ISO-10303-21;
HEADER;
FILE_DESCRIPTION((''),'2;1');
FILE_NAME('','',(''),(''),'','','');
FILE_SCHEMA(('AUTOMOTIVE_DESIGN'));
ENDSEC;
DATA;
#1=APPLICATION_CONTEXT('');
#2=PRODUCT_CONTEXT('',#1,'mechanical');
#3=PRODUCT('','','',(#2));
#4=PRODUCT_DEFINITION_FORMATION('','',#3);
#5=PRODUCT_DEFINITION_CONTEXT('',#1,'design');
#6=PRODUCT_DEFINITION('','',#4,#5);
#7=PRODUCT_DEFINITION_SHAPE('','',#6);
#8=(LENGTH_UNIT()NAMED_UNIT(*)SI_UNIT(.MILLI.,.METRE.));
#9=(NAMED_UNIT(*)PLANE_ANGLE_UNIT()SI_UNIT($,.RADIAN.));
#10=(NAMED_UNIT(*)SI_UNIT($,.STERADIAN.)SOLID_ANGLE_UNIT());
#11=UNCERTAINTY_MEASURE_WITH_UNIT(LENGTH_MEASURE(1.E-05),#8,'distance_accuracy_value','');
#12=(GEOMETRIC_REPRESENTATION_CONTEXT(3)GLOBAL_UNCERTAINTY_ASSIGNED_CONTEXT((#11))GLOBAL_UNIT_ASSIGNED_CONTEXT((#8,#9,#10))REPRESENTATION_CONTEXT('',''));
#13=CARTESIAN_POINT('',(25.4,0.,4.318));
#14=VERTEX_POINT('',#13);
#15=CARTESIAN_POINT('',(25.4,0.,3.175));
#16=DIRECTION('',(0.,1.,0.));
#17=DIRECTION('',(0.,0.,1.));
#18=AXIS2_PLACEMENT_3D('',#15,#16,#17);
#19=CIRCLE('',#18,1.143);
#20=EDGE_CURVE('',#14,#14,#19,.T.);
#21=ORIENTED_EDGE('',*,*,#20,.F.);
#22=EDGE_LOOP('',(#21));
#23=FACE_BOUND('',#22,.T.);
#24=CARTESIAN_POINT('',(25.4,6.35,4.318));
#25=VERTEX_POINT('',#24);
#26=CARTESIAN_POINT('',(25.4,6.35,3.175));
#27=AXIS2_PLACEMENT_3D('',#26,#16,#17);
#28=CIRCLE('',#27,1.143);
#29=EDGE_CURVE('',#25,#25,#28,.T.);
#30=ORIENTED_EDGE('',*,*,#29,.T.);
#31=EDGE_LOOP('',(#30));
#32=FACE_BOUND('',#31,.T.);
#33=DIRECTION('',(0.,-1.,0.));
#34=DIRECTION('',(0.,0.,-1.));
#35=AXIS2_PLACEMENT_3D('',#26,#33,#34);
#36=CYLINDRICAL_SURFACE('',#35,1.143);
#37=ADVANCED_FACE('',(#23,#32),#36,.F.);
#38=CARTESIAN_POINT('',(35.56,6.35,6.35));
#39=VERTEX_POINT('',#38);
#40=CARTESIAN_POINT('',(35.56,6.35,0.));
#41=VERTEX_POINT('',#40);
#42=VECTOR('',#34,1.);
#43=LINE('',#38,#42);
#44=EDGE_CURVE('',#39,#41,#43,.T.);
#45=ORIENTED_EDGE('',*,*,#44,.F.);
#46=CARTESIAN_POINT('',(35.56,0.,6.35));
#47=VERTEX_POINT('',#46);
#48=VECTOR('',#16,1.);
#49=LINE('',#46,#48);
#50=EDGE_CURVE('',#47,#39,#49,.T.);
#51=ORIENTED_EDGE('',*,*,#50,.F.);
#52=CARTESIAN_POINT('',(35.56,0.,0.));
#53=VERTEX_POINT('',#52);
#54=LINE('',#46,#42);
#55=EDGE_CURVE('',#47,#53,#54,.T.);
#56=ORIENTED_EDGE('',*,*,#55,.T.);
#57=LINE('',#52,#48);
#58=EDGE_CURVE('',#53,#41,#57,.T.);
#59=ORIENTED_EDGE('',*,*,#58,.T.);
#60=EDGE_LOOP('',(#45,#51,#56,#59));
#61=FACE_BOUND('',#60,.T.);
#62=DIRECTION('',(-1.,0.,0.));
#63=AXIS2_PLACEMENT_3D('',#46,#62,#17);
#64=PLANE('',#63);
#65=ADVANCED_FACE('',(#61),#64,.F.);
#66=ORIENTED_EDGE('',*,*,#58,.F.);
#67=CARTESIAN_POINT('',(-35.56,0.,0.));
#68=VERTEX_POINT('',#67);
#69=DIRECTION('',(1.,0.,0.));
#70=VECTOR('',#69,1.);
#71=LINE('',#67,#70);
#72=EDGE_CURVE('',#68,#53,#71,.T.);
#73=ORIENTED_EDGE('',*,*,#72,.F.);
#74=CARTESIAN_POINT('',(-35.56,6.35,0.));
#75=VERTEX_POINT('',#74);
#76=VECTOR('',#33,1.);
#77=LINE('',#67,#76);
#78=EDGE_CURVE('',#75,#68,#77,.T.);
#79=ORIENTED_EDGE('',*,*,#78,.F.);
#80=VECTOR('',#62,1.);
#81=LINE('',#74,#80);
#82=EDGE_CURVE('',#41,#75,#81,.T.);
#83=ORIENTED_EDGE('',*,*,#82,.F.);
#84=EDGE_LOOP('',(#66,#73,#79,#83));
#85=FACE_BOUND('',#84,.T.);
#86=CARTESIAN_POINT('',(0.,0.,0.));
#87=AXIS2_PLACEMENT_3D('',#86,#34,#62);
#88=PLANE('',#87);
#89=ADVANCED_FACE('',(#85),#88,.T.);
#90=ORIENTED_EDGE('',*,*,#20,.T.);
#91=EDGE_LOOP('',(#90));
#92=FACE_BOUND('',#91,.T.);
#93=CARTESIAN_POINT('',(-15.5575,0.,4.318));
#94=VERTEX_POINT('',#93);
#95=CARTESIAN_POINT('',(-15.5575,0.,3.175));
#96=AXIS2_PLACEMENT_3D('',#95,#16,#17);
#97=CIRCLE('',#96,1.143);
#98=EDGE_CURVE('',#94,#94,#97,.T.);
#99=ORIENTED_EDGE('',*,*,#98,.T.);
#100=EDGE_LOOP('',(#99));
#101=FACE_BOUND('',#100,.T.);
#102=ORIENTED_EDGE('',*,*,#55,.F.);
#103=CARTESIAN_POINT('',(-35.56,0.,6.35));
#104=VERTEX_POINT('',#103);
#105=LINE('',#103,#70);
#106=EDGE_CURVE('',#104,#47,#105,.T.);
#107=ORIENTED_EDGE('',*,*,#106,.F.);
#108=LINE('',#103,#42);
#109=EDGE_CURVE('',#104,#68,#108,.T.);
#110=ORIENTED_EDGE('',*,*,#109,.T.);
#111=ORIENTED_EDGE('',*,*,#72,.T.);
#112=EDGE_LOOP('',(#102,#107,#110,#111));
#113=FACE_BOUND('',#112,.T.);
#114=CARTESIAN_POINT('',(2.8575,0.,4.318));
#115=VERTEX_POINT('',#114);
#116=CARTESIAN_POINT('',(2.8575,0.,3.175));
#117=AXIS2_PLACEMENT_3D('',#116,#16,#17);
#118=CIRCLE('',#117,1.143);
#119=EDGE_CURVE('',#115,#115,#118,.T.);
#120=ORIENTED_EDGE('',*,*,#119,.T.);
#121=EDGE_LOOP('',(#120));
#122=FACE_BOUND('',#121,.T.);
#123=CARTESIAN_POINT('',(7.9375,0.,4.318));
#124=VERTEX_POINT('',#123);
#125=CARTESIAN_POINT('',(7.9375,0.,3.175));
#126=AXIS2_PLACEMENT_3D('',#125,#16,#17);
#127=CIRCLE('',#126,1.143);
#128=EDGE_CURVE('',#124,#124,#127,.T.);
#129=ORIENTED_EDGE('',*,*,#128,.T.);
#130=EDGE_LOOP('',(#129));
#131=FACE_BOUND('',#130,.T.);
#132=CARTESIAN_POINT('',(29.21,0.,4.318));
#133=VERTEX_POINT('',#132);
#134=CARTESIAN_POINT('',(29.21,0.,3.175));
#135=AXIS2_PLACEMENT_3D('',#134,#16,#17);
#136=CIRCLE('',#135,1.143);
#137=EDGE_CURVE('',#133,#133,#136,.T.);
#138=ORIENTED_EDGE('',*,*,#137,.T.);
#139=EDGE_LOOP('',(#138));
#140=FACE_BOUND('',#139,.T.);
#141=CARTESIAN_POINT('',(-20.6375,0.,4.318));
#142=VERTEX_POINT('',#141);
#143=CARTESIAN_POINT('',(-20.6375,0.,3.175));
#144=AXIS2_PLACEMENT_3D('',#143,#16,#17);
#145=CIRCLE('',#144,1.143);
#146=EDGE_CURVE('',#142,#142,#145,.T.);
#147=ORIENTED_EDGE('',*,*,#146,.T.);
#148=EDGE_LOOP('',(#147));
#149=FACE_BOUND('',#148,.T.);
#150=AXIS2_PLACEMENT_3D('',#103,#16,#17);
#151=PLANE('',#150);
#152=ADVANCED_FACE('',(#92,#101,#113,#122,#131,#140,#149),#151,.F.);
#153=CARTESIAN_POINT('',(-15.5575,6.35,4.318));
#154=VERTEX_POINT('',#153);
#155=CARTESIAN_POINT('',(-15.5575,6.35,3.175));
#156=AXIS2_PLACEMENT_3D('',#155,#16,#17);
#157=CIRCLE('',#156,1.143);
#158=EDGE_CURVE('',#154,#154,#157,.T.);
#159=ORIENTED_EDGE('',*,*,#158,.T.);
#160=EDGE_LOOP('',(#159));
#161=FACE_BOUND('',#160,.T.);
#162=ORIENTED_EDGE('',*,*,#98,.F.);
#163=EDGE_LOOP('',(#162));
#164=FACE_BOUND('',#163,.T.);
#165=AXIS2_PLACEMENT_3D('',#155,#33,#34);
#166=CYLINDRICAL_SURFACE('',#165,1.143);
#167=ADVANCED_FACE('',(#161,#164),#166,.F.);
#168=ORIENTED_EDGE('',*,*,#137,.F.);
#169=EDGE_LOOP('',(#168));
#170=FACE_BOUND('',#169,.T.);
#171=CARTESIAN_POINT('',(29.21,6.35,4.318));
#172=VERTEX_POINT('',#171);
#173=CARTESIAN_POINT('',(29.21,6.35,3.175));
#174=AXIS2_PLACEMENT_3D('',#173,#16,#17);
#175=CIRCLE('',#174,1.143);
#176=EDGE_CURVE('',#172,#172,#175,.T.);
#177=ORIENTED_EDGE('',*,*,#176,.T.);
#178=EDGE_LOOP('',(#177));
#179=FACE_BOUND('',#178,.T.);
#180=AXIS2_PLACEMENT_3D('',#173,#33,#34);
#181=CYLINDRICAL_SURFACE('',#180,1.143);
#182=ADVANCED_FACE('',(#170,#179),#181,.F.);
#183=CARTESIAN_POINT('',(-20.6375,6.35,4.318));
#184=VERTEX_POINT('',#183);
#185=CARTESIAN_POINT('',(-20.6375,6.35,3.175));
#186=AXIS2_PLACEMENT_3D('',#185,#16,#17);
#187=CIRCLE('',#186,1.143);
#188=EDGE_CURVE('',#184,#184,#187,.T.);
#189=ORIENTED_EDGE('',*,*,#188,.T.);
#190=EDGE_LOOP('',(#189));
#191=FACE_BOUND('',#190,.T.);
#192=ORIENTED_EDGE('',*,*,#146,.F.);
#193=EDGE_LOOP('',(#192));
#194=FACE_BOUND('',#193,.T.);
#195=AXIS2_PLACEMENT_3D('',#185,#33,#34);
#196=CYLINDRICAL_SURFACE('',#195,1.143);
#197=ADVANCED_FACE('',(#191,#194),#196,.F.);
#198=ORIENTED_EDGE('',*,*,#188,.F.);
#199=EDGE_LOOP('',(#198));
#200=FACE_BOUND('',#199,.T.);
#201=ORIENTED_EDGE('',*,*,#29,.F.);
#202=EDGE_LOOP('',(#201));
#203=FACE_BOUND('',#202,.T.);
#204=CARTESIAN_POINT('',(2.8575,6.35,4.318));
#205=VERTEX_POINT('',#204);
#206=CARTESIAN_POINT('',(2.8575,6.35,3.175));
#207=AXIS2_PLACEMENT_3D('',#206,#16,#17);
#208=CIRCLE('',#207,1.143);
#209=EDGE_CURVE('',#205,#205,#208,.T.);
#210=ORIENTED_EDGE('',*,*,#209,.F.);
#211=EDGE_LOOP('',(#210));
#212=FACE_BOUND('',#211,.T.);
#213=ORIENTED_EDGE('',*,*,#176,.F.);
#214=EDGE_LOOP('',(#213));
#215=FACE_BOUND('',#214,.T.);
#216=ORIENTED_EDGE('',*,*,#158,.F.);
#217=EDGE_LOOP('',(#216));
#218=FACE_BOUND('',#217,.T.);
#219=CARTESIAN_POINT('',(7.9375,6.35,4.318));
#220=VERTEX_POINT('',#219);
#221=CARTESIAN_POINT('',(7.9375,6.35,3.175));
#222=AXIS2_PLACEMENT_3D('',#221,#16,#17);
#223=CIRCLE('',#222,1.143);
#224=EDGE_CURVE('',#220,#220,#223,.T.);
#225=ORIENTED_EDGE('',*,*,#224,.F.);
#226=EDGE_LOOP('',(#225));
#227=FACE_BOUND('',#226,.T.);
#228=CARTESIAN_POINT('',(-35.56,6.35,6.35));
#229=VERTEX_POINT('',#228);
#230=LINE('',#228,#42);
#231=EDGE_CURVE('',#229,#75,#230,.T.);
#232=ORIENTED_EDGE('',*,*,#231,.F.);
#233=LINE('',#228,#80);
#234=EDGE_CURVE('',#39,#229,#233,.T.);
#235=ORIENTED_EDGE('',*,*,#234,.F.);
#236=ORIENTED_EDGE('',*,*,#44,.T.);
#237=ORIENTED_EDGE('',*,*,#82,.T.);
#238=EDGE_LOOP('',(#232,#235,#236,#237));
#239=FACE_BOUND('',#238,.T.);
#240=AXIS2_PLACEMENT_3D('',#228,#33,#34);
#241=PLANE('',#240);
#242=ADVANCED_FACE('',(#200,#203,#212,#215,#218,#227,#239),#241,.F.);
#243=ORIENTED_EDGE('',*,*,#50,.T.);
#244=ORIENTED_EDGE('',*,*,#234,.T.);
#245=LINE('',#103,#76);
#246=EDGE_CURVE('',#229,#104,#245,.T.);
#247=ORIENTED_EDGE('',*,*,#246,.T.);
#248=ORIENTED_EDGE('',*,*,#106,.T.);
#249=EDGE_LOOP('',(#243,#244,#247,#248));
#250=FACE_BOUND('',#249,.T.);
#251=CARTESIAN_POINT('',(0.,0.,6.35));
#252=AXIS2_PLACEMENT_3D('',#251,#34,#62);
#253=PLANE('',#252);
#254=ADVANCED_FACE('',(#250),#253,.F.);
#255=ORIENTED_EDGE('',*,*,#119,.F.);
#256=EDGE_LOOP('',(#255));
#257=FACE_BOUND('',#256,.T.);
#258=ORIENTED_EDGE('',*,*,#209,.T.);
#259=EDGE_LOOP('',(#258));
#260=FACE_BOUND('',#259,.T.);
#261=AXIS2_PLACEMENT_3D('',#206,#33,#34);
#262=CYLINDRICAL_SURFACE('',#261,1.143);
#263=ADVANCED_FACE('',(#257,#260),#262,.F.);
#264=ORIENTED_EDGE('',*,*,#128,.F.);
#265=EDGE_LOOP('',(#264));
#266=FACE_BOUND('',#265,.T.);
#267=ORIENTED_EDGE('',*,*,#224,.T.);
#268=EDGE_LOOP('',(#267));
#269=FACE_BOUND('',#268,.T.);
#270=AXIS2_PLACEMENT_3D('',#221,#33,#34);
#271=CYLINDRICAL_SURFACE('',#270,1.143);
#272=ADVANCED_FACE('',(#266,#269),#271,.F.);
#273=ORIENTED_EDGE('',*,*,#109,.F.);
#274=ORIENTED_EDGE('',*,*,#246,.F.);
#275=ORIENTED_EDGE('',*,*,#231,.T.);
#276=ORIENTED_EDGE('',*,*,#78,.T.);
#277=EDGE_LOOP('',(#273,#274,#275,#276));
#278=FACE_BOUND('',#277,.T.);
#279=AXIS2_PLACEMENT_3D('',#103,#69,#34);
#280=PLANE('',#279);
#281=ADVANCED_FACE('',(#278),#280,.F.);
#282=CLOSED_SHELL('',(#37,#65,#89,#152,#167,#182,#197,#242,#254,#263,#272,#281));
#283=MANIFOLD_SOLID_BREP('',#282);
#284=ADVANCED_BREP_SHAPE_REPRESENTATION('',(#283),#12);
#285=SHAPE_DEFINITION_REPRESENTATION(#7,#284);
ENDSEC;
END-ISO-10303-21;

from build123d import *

# Parameters (mm, degrees)
SKETCH2_W           = 71.12
SKETCH2_H           = 6.35
BOSS_EXTRUDE1_DEPTH = 6.35
SKETCH3_R           = 1.143
CUT_EXTRUDE2_DEPTH  = 6.35


with BuildPart() as part:
    # Sketch2 → Boss-Extrude1 (new body)
    with BuildSketch(Plane.XY):
        with Locations((0, 3.175)):
            Rectangle(SKETCH2_W, SKETCH2_H)
    extrude(amount=BOSS_EXTRUDE1_DEPTH)

    # Sketch3 → Cut-Extrude2 (cut)
    with BuildSketch(Plane(origin=(0, 0, 0), x_dir=(1, 0, 0), z_dir=(0, 1, 0))):
        with Locations((-20.6375, -3.175)):
            Circle(SKETCH3_R)
        with Locations((-15.5575, -3.175)):
            Circle(SKETCH3_R)
        with Locations((2.8575, -3.175)):
            Circle(SKETCH3_R)
        with Locations((7.9375, -3.175)):
            Circle(SKETCH3_R)
        with Locations((25.4, -3.175)):
            Circle(SKETCH3_R)
        with Locations((29.21, -3.175)):
            Circle(SKETCH3_R)
    extrude(amount=CUT_EXTRUDE2_DEPTH, mode=Mode.SUBTRACT)


solid = part.part
